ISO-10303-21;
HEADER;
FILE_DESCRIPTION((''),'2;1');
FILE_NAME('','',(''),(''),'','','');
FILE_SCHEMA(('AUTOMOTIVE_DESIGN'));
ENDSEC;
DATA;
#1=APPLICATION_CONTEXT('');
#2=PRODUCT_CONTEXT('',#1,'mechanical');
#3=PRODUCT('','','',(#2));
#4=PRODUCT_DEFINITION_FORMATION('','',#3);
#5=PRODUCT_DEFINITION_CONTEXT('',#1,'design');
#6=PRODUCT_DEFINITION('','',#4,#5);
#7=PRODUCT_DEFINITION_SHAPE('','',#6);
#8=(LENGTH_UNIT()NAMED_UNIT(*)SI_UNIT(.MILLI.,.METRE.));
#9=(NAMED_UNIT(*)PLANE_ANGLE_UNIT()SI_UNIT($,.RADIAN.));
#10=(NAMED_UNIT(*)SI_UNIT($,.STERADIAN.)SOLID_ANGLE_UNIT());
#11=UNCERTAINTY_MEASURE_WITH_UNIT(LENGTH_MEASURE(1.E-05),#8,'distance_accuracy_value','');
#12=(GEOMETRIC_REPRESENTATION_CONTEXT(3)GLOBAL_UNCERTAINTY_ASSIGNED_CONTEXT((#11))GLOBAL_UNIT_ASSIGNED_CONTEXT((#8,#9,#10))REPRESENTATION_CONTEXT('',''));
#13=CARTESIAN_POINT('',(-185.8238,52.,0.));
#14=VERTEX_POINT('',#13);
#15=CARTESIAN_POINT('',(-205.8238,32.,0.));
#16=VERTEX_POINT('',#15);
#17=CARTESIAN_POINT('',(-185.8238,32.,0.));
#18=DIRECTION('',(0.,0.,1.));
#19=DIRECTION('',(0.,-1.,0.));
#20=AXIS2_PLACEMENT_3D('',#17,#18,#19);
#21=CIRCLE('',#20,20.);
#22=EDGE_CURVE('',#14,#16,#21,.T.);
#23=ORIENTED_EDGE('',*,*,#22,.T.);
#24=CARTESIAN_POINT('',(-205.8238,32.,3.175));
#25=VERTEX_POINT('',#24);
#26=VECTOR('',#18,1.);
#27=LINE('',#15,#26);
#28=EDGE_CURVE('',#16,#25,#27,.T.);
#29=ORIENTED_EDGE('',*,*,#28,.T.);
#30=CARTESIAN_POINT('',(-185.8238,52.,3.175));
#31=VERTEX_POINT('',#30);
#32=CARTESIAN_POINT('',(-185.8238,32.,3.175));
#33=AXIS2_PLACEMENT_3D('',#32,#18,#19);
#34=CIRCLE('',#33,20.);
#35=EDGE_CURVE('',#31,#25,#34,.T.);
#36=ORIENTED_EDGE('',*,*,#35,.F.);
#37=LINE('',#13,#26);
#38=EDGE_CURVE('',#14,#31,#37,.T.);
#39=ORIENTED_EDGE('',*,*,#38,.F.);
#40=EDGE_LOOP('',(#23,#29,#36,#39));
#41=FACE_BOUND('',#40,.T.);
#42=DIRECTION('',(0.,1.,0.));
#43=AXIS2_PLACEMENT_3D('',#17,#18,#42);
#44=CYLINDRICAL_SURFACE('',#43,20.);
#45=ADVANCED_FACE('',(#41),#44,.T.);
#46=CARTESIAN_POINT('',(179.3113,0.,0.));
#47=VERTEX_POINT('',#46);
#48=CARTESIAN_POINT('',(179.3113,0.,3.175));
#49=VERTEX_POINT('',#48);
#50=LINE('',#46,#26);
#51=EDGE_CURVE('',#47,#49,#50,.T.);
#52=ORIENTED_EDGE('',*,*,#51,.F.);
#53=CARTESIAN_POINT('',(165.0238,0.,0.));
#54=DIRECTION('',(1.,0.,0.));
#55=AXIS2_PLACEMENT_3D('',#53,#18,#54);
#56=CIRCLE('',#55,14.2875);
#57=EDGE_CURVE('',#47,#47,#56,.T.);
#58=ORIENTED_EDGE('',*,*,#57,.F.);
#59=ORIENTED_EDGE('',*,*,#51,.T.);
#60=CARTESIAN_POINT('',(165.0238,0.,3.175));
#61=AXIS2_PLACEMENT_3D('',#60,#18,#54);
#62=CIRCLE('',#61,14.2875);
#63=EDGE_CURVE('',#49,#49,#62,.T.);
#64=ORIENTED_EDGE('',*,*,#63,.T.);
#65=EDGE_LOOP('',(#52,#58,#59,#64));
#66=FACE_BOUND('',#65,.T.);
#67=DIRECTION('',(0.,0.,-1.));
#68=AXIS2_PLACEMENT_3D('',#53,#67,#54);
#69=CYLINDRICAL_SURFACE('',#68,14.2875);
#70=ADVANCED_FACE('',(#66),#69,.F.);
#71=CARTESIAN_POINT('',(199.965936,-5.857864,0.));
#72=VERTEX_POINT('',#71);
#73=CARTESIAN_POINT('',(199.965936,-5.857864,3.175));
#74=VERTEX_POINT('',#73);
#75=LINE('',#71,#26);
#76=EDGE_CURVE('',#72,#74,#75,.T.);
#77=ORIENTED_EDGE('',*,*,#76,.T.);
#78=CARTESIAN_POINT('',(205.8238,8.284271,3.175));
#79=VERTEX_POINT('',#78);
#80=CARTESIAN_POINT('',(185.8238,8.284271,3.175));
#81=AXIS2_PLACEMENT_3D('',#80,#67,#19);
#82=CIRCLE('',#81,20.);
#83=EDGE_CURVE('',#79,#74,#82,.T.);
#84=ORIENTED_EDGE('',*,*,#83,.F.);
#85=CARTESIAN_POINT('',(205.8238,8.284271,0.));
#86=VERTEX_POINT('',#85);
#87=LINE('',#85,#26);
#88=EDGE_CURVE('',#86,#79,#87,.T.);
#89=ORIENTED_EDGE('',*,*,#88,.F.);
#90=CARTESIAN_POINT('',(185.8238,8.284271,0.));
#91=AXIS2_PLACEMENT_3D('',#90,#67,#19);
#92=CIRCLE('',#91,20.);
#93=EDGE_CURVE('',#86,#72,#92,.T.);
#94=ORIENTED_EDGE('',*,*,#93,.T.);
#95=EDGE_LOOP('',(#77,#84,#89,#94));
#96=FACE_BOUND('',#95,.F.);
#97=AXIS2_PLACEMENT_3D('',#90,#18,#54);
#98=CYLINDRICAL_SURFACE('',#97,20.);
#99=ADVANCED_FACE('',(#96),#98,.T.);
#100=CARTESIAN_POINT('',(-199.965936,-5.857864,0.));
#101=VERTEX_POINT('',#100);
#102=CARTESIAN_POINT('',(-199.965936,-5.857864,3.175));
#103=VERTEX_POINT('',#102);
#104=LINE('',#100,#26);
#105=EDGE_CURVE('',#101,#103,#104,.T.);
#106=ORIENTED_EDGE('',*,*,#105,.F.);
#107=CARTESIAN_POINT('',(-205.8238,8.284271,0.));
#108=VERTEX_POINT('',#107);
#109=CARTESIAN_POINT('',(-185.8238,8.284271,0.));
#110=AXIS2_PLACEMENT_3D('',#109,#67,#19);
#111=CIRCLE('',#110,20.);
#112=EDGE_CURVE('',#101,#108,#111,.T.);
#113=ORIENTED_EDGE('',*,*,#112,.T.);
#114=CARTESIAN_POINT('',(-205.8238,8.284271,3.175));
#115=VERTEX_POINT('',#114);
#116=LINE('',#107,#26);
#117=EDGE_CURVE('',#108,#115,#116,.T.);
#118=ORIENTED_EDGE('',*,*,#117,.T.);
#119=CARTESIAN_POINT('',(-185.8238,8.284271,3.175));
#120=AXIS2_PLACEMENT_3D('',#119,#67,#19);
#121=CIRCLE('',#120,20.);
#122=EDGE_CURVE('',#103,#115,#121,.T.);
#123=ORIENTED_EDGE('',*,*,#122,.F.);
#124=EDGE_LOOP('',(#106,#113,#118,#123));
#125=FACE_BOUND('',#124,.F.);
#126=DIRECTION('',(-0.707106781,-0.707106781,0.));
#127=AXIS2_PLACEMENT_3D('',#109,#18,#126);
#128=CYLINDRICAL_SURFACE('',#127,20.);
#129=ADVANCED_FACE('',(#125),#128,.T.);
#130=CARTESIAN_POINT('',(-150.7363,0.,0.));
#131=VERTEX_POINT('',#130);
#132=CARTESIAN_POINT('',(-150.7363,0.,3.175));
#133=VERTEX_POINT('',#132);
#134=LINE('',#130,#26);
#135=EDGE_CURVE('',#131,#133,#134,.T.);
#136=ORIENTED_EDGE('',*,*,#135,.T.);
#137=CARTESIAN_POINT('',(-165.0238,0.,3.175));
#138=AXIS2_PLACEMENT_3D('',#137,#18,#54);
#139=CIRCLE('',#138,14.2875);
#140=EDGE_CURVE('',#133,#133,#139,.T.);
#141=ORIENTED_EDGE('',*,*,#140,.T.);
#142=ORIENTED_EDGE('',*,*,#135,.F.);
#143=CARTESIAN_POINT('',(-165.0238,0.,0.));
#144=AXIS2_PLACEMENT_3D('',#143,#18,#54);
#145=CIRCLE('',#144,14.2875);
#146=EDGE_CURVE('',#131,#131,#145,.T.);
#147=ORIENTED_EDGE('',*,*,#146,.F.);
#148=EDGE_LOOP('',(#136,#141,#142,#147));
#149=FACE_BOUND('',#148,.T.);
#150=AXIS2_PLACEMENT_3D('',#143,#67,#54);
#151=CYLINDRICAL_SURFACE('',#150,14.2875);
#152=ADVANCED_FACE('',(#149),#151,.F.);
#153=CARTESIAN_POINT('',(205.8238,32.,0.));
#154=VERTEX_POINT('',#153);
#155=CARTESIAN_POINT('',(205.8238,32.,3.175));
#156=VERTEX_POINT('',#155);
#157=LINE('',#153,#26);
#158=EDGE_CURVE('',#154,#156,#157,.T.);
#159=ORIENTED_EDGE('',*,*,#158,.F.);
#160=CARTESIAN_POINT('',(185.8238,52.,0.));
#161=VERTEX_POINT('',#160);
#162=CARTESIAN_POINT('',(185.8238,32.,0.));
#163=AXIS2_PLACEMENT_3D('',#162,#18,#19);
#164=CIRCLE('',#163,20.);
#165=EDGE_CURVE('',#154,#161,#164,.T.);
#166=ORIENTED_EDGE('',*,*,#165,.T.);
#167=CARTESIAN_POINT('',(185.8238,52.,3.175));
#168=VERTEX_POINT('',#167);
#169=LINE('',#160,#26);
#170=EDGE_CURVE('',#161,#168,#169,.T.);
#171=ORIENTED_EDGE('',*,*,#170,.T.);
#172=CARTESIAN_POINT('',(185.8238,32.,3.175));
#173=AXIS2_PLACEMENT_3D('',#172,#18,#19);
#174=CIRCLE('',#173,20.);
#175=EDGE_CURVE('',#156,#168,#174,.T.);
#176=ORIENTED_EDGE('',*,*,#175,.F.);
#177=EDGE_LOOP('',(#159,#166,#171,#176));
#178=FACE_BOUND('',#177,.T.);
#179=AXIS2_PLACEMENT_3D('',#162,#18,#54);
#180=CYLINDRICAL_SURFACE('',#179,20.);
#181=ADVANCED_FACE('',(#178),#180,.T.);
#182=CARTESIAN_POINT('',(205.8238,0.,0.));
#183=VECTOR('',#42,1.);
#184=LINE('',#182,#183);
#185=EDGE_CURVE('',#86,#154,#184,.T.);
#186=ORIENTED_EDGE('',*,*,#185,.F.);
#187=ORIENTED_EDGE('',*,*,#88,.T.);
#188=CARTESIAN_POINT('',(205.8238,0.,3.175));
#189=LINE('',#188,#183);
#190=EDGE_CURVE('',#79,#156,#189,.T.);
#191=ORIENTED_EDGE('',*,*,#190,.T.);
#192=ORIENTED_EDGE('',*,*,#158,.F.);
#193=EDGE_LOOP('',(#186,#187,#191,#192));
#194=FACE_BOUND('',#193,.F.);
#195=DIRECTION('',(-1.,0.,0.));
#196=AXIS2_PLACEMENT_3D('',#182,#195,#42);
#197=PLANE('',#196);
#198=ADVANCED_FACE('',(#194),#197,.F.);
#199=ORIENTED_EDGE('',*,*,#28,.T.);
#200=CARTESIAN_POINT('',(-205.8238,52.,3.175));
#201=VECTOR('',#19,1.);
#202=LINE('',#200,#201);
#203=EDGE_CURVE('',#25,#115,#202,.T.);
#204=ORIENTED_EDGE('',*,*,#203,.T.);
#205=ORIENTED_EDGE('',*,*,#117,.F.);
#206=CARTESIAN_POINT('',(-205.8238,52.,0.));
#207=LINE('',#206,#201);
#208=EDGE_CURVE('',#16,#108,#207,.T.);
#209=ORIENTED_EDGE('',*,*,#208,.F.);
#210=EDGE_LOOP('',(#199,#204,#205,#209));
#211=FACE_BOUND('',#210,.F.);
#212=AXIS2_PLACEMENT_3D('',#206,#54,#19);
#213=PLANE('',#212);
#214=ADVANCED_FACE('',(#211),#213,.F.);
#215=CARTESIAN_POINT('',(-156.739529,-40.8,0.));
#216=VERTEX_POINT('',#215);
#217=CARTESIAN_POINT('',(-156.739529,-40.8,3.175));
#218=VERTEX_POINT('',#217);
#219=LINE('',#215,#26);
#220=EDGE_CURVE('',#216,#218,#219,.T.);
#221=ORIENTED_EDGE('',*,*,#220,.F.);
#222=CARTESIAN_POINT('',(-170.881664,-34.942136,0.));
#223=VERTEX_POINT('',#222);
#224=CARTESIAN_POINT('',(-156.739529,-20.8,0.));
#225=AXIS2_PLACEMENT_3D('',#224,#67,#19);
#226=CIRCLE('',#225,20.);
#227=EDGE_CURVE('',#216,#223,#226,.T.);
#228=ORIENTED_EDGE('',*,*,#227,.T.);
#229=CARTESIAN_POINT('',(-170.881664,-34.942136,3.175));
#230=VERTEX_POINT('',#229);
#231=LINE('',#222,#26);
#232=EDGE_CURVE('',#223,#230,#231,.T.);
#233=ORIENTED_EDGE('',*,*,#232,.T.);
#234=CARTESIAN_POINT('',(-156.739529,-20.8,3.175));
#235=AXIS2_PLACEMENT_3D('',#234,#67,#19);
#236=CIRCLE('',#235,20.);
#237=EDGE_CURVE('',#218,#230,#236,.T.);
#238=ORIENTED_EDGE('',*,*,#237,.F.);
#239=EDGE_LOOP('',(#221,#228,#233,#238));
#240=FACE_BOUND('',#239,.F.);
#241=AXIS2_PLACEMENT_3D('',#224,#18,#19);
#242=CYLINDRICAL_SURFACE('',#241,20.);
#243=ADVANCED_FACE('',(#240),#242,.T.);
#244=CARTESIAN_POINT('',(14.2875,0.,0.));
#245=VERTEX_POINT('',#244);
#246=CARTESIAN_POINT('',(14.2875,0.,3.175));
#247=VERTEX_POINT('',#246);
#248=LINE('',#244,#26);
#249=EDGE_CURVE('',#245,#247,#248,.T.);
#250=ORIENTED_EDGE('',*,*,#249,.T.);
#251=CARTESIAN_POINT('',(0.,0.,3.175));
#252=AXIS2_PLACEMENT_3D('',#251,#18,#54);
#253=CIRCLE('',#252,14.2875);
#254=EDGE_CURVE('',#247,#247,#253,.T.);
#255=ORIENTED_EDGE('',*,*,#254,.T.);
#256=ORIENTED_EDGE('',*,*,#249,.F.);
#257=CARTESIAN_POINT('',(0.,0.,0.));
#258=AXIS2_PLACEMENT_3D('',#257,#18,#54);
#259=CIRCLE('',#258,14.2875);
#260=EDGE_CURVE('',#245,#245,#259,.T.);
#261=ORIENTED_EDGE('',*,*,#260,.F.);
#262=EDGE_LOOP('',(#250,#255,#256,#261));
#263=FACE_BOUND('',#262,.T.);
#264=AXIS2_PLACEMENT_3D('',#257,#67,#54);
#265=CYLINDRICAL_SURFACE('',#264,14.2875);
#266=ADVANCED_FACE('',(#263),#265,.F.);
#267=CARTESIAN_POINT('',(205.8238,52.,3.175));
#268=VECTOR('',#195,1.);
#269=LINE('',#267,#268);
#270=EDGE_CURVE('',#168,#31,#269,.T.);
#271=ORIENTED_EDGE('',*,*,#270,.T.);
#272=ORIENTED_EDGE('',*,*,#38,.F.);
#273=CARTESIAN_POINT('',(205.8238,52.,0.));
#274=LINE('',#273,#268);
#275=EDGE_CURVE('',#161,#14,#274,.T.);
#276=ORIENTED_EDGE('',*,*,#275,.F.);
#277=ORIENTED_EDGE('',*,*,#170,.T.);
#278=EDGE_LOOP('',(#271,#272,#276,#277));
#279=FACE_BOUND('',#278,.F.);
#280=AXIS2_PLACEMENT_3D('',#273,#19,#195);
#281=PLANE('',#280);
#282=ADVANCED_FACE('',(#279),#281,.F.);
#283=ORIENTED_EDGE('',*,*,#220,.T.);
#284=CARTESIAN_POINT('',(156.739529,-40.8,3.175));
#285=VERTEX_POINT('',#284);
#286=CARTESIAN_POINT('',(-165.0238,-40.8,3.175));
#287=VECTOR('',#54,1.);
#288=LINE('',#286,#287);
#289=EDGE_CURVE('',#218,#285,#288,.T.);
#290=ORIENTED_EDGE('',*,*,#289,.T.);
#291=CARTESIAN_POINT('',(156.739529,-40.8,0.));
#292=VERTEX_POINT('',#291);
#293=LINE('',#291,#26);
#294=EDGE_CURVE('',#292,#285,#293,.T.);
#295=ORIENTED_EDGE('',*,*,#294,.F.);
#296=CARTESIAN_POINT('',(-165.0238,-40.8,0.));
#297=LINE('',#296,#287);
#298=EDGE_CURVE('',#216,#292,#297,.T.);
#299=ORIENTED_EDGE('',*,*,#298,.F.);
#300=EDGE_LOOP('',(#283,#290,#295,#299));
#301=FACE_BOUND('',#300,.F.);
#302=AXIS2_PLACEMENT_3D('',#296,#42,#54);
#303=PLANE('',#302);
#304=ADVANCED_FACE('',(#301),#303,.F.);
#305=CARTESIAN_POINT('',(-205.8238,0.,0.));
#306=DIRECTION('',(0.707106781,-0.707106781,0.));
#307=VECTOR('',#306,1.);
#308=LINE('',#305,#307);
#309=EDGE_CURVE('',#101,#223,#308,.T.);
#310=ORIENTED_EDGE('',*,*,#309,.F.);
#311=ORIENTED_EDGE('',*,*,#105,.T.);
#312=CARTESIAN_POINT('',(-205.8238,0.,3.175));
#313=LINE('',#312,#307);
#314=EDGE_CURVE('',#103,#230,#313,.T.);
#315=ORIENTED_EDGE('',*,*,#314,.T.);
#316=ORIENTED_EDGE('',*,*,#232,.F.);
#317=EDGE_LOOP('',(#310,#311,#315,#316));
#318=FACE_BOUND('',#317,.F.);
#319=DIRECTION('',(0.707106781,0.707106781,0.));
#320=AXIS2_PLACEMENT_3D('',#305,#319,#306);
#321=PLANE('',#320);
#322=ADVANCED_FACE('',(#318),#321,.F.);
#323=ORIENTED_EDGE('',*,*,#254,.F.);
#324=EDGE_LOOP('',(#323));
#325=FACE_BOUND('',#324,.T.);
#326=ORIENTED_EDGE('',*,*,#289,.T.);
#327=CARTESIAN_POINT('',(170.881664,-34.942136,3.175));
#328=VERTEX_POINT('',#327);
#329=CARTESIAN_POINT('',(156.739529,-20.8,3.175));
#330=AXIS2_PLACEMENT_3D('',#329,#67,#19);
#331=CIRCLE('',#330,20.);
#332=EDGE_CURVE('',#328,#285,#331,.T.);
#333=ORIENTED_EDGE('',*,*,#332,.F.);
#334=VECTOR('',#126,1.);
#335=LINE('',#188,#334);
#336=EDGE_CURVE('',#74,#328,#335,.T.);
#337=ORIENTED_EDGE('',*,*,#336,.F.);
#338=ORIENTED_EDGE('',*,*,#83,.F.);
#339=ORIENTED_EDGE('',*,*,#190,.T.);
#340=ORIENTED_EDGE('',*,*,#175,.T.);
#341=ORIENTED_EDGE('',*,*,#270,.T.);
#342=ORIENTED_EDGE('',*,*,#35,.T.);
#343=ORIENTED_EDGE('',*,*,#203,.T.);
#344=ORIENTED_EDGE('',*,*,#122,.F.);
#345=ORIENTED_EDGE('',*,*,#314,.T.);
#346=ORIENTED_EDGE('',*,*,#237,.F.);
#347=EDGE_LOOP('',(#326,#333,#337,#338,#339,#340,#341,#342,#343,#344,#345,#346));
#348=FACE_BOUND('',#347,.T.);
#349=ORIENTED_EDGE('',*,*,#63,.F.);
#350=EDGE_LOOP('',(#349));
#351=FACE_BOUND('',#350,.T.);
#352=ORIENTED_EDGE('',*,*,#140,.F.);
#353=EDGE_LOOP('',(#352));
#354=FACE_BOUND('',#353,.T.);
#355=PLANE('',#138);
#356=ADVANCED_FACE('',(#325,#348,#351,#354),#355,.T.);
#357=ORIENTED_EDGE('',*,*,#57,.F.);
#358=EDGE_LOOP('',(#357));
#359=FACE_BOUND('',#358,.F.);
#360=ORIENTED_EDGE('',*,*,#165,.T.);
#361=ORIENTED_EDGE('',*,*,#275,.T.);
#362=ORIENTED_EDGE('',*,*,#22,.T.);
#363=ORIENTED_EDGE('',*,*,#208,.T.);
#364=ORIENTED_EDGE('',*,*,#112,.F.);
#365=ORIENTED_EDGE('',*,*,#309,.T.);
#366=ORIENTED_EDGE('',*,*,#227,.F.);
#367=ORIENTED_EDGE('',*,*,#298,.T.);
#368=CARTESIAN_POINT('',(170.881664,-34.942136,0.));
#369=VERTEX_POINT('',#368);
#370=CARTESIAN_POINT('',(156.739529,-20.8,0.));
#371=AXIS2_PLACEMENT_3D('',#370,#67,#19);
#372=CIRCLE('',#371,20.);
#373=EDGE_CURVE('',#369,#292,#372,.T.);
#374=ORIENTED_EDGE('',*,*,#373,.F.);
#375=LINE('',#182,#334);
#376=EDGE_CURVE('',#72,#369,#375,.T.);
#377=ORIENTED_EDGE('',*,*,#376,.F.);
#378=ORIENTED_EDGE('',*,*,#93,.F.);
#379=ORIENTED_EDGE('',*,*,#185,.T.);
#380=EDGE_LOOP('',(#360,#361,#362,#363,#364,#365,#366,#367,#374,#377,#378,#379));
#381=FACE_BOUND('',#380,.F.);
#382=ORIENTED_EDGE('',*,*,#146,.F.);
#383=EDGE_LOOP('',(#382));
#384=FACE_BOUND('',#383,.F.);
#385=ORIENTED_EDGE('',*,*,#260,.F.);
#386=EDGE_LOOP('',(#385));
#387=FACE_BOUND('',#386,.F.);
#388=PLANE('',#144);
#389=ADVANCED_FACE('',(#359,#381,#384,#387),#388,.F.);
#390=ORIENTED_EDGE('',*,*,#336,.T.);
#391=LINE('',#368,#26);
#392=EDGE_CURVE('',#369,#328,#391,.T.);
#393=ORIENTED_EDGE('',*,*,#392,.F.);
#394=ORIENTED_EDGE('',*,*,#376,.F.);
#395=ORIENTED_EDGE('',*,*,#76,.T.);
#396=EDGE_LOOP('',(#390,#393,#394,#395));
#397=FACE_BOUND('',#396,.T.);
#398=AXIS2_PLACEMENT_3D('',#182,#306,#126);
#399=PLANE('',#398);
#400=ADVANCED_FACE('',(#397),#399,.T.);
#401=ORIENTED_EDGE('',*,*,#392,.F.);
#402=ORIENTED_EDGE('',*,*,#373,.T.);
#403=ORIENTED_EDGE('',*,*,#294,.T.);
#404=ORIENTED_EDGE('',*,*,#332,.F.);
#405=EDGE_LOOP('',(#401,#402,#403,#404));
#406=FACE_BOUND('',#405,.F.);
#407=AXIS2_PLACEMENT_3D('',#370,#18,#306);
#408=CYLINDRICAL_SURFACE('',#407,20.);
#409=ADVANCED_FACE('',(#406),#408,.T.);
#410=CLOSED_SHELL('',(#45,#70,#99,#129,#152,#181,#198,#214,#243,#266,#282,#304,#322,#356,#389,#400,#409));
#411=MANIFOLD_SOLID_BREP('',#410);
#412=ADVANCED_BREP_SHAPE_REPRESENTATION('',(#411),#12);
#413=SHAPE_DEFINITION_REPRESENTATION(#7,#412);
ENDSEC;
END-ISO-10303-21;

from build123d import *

# Parameters (mm, degrees)
SKETCH1_R           = 14.2875
BOSS_EXTRUDE1_DEPTH = 3.175
FILLET1_R           = 20
FILLET2_R           = 20


with BuildPart() as part:
    # Sketch1 → Boss-Extrude1 (new body)
    with BuildSketch(Plane.XY):
        with BuildLine():
            Line((-205.8238, 0), (-165.0238, -40.8))
            ThreePointArc((-165.0238, -40.8), (-136.173843328, 28.849956672), (-205.8238, 0))
        make_face()
        with Locations((-165.0238, 0)):
            Circle(SKETCH1_R, mode=Mode.SUBTRACT)
        with BuildLine():
            ThreePointArc((-205.8238, 0), (-136.173843328, 28.849956672), (-165.0238, -40.8))
            Line((-165.0238, -40.8), (-134.758308099, -40.8))
            ThreePointArc((-134.758308099, -40.8), (-119.646895144, -22.838049517), (-114.2238, 0))
            ThreePointArc((-114.2238, 0), (-149.086422549, 48.235256815), (-205.8238, 30.265491901))
            Line((-205.8238, 30.265491901), (-205.8238, 0))
        make_face()
        with BuildLine():
            ThreePointArc((-114.2238, 0), (-119.646895144, -22.838049517), (-134.758308099, -40.8))
            Line((-134.758308099, -40.8), (-30.265491901, -40.8))
            ThreePointArc((-30.265491901, -40.8), (-22.838049517, 45.376904856), (50.8, 0))
            ThreePointArc((50.8, 0), (45.376904856, -22.838049517), (30.265491901, -40.8))
            Line((30.265491901, -40.8), (134.758308099, -40.8))
            ThreePointArc((134.758308099, -40.8), (129.102775516, 35.921024484), (205.8238, 30.265491901))
            Line((205.8238, 30.265491901), (205.8238, 52))
            Line((205.8238, 52), (-205.8238, 52))
            Line((-205.8238, 52), (-205.8238, 30.265491901))
            ThreePointArc((-205.8238, 30.265491901), (-149.086422549, 48.235256815), (-114.2238, 0))
        make_face()
        with BuildLine():
            ThreePointArc((50.8, 0), (-22.838049517, 45.376904856), (-30.265491901, -40.8))
            Line((-30.265491901, -40.8), (30.265491901, -40.8))
            ThreePointArc((30.265491901, -40.8), (45.376904856, -22.838049517), (50.8, 0))
        make_face()
        Circle(SKETCH1_R, mode=Mode.SUBTRACT)
        with BuildLine():
            Line((205.8238, 0), (165.0238, -40.8))
            ThreePointArc((165.0238, -40.8), (136.173843328, 28.849956672), (205.8238, 0))
        make_face()
        with Locations((165.0238, 0)):
            Circle(SKETCH1_R, mode=Mode.SUBTRACT)
        with BuildLine():
            ThreePointArc((205.8238, 30.265491901), (129.102775516, 35.921024484), (134.758308099, -40.8))
            Line((134.758308099, -40.8), (165.0238, -40.8))
            ThreePointArc((165.0238, -40.8), (136.173843328, 28.849956672), (205.8238, 0))
            Line((205.8238, 0), (205.8238, 30.265491901))
        make_face()
    extrude(amount=BOSS_EXTRUDE1_DEPTH)

    # Fillet1
    fillet1_edges = [part.edges().sort_by_distance(p)[0] for p in [
        (-205.8238, 52, 1.5875),
        (205.8238, 52, 1.5875),
    ]]
    fillet(fillet1_edges, radius=FILLET1_R)

    # Fillet2
    fillet2_edges = [part.edges().sort_by_distance(p)[0] for p in [
        (-205.8238, 0, 1.5875),
        (205.8238, 0, 1.5875),
        (165.0238, -40.8, 1.5875),
        (-165.0238, -40.8, 1.5875),
    ]]
    fillet(fillet2_edges, radius=FILLET2_R)


solid = part.part
